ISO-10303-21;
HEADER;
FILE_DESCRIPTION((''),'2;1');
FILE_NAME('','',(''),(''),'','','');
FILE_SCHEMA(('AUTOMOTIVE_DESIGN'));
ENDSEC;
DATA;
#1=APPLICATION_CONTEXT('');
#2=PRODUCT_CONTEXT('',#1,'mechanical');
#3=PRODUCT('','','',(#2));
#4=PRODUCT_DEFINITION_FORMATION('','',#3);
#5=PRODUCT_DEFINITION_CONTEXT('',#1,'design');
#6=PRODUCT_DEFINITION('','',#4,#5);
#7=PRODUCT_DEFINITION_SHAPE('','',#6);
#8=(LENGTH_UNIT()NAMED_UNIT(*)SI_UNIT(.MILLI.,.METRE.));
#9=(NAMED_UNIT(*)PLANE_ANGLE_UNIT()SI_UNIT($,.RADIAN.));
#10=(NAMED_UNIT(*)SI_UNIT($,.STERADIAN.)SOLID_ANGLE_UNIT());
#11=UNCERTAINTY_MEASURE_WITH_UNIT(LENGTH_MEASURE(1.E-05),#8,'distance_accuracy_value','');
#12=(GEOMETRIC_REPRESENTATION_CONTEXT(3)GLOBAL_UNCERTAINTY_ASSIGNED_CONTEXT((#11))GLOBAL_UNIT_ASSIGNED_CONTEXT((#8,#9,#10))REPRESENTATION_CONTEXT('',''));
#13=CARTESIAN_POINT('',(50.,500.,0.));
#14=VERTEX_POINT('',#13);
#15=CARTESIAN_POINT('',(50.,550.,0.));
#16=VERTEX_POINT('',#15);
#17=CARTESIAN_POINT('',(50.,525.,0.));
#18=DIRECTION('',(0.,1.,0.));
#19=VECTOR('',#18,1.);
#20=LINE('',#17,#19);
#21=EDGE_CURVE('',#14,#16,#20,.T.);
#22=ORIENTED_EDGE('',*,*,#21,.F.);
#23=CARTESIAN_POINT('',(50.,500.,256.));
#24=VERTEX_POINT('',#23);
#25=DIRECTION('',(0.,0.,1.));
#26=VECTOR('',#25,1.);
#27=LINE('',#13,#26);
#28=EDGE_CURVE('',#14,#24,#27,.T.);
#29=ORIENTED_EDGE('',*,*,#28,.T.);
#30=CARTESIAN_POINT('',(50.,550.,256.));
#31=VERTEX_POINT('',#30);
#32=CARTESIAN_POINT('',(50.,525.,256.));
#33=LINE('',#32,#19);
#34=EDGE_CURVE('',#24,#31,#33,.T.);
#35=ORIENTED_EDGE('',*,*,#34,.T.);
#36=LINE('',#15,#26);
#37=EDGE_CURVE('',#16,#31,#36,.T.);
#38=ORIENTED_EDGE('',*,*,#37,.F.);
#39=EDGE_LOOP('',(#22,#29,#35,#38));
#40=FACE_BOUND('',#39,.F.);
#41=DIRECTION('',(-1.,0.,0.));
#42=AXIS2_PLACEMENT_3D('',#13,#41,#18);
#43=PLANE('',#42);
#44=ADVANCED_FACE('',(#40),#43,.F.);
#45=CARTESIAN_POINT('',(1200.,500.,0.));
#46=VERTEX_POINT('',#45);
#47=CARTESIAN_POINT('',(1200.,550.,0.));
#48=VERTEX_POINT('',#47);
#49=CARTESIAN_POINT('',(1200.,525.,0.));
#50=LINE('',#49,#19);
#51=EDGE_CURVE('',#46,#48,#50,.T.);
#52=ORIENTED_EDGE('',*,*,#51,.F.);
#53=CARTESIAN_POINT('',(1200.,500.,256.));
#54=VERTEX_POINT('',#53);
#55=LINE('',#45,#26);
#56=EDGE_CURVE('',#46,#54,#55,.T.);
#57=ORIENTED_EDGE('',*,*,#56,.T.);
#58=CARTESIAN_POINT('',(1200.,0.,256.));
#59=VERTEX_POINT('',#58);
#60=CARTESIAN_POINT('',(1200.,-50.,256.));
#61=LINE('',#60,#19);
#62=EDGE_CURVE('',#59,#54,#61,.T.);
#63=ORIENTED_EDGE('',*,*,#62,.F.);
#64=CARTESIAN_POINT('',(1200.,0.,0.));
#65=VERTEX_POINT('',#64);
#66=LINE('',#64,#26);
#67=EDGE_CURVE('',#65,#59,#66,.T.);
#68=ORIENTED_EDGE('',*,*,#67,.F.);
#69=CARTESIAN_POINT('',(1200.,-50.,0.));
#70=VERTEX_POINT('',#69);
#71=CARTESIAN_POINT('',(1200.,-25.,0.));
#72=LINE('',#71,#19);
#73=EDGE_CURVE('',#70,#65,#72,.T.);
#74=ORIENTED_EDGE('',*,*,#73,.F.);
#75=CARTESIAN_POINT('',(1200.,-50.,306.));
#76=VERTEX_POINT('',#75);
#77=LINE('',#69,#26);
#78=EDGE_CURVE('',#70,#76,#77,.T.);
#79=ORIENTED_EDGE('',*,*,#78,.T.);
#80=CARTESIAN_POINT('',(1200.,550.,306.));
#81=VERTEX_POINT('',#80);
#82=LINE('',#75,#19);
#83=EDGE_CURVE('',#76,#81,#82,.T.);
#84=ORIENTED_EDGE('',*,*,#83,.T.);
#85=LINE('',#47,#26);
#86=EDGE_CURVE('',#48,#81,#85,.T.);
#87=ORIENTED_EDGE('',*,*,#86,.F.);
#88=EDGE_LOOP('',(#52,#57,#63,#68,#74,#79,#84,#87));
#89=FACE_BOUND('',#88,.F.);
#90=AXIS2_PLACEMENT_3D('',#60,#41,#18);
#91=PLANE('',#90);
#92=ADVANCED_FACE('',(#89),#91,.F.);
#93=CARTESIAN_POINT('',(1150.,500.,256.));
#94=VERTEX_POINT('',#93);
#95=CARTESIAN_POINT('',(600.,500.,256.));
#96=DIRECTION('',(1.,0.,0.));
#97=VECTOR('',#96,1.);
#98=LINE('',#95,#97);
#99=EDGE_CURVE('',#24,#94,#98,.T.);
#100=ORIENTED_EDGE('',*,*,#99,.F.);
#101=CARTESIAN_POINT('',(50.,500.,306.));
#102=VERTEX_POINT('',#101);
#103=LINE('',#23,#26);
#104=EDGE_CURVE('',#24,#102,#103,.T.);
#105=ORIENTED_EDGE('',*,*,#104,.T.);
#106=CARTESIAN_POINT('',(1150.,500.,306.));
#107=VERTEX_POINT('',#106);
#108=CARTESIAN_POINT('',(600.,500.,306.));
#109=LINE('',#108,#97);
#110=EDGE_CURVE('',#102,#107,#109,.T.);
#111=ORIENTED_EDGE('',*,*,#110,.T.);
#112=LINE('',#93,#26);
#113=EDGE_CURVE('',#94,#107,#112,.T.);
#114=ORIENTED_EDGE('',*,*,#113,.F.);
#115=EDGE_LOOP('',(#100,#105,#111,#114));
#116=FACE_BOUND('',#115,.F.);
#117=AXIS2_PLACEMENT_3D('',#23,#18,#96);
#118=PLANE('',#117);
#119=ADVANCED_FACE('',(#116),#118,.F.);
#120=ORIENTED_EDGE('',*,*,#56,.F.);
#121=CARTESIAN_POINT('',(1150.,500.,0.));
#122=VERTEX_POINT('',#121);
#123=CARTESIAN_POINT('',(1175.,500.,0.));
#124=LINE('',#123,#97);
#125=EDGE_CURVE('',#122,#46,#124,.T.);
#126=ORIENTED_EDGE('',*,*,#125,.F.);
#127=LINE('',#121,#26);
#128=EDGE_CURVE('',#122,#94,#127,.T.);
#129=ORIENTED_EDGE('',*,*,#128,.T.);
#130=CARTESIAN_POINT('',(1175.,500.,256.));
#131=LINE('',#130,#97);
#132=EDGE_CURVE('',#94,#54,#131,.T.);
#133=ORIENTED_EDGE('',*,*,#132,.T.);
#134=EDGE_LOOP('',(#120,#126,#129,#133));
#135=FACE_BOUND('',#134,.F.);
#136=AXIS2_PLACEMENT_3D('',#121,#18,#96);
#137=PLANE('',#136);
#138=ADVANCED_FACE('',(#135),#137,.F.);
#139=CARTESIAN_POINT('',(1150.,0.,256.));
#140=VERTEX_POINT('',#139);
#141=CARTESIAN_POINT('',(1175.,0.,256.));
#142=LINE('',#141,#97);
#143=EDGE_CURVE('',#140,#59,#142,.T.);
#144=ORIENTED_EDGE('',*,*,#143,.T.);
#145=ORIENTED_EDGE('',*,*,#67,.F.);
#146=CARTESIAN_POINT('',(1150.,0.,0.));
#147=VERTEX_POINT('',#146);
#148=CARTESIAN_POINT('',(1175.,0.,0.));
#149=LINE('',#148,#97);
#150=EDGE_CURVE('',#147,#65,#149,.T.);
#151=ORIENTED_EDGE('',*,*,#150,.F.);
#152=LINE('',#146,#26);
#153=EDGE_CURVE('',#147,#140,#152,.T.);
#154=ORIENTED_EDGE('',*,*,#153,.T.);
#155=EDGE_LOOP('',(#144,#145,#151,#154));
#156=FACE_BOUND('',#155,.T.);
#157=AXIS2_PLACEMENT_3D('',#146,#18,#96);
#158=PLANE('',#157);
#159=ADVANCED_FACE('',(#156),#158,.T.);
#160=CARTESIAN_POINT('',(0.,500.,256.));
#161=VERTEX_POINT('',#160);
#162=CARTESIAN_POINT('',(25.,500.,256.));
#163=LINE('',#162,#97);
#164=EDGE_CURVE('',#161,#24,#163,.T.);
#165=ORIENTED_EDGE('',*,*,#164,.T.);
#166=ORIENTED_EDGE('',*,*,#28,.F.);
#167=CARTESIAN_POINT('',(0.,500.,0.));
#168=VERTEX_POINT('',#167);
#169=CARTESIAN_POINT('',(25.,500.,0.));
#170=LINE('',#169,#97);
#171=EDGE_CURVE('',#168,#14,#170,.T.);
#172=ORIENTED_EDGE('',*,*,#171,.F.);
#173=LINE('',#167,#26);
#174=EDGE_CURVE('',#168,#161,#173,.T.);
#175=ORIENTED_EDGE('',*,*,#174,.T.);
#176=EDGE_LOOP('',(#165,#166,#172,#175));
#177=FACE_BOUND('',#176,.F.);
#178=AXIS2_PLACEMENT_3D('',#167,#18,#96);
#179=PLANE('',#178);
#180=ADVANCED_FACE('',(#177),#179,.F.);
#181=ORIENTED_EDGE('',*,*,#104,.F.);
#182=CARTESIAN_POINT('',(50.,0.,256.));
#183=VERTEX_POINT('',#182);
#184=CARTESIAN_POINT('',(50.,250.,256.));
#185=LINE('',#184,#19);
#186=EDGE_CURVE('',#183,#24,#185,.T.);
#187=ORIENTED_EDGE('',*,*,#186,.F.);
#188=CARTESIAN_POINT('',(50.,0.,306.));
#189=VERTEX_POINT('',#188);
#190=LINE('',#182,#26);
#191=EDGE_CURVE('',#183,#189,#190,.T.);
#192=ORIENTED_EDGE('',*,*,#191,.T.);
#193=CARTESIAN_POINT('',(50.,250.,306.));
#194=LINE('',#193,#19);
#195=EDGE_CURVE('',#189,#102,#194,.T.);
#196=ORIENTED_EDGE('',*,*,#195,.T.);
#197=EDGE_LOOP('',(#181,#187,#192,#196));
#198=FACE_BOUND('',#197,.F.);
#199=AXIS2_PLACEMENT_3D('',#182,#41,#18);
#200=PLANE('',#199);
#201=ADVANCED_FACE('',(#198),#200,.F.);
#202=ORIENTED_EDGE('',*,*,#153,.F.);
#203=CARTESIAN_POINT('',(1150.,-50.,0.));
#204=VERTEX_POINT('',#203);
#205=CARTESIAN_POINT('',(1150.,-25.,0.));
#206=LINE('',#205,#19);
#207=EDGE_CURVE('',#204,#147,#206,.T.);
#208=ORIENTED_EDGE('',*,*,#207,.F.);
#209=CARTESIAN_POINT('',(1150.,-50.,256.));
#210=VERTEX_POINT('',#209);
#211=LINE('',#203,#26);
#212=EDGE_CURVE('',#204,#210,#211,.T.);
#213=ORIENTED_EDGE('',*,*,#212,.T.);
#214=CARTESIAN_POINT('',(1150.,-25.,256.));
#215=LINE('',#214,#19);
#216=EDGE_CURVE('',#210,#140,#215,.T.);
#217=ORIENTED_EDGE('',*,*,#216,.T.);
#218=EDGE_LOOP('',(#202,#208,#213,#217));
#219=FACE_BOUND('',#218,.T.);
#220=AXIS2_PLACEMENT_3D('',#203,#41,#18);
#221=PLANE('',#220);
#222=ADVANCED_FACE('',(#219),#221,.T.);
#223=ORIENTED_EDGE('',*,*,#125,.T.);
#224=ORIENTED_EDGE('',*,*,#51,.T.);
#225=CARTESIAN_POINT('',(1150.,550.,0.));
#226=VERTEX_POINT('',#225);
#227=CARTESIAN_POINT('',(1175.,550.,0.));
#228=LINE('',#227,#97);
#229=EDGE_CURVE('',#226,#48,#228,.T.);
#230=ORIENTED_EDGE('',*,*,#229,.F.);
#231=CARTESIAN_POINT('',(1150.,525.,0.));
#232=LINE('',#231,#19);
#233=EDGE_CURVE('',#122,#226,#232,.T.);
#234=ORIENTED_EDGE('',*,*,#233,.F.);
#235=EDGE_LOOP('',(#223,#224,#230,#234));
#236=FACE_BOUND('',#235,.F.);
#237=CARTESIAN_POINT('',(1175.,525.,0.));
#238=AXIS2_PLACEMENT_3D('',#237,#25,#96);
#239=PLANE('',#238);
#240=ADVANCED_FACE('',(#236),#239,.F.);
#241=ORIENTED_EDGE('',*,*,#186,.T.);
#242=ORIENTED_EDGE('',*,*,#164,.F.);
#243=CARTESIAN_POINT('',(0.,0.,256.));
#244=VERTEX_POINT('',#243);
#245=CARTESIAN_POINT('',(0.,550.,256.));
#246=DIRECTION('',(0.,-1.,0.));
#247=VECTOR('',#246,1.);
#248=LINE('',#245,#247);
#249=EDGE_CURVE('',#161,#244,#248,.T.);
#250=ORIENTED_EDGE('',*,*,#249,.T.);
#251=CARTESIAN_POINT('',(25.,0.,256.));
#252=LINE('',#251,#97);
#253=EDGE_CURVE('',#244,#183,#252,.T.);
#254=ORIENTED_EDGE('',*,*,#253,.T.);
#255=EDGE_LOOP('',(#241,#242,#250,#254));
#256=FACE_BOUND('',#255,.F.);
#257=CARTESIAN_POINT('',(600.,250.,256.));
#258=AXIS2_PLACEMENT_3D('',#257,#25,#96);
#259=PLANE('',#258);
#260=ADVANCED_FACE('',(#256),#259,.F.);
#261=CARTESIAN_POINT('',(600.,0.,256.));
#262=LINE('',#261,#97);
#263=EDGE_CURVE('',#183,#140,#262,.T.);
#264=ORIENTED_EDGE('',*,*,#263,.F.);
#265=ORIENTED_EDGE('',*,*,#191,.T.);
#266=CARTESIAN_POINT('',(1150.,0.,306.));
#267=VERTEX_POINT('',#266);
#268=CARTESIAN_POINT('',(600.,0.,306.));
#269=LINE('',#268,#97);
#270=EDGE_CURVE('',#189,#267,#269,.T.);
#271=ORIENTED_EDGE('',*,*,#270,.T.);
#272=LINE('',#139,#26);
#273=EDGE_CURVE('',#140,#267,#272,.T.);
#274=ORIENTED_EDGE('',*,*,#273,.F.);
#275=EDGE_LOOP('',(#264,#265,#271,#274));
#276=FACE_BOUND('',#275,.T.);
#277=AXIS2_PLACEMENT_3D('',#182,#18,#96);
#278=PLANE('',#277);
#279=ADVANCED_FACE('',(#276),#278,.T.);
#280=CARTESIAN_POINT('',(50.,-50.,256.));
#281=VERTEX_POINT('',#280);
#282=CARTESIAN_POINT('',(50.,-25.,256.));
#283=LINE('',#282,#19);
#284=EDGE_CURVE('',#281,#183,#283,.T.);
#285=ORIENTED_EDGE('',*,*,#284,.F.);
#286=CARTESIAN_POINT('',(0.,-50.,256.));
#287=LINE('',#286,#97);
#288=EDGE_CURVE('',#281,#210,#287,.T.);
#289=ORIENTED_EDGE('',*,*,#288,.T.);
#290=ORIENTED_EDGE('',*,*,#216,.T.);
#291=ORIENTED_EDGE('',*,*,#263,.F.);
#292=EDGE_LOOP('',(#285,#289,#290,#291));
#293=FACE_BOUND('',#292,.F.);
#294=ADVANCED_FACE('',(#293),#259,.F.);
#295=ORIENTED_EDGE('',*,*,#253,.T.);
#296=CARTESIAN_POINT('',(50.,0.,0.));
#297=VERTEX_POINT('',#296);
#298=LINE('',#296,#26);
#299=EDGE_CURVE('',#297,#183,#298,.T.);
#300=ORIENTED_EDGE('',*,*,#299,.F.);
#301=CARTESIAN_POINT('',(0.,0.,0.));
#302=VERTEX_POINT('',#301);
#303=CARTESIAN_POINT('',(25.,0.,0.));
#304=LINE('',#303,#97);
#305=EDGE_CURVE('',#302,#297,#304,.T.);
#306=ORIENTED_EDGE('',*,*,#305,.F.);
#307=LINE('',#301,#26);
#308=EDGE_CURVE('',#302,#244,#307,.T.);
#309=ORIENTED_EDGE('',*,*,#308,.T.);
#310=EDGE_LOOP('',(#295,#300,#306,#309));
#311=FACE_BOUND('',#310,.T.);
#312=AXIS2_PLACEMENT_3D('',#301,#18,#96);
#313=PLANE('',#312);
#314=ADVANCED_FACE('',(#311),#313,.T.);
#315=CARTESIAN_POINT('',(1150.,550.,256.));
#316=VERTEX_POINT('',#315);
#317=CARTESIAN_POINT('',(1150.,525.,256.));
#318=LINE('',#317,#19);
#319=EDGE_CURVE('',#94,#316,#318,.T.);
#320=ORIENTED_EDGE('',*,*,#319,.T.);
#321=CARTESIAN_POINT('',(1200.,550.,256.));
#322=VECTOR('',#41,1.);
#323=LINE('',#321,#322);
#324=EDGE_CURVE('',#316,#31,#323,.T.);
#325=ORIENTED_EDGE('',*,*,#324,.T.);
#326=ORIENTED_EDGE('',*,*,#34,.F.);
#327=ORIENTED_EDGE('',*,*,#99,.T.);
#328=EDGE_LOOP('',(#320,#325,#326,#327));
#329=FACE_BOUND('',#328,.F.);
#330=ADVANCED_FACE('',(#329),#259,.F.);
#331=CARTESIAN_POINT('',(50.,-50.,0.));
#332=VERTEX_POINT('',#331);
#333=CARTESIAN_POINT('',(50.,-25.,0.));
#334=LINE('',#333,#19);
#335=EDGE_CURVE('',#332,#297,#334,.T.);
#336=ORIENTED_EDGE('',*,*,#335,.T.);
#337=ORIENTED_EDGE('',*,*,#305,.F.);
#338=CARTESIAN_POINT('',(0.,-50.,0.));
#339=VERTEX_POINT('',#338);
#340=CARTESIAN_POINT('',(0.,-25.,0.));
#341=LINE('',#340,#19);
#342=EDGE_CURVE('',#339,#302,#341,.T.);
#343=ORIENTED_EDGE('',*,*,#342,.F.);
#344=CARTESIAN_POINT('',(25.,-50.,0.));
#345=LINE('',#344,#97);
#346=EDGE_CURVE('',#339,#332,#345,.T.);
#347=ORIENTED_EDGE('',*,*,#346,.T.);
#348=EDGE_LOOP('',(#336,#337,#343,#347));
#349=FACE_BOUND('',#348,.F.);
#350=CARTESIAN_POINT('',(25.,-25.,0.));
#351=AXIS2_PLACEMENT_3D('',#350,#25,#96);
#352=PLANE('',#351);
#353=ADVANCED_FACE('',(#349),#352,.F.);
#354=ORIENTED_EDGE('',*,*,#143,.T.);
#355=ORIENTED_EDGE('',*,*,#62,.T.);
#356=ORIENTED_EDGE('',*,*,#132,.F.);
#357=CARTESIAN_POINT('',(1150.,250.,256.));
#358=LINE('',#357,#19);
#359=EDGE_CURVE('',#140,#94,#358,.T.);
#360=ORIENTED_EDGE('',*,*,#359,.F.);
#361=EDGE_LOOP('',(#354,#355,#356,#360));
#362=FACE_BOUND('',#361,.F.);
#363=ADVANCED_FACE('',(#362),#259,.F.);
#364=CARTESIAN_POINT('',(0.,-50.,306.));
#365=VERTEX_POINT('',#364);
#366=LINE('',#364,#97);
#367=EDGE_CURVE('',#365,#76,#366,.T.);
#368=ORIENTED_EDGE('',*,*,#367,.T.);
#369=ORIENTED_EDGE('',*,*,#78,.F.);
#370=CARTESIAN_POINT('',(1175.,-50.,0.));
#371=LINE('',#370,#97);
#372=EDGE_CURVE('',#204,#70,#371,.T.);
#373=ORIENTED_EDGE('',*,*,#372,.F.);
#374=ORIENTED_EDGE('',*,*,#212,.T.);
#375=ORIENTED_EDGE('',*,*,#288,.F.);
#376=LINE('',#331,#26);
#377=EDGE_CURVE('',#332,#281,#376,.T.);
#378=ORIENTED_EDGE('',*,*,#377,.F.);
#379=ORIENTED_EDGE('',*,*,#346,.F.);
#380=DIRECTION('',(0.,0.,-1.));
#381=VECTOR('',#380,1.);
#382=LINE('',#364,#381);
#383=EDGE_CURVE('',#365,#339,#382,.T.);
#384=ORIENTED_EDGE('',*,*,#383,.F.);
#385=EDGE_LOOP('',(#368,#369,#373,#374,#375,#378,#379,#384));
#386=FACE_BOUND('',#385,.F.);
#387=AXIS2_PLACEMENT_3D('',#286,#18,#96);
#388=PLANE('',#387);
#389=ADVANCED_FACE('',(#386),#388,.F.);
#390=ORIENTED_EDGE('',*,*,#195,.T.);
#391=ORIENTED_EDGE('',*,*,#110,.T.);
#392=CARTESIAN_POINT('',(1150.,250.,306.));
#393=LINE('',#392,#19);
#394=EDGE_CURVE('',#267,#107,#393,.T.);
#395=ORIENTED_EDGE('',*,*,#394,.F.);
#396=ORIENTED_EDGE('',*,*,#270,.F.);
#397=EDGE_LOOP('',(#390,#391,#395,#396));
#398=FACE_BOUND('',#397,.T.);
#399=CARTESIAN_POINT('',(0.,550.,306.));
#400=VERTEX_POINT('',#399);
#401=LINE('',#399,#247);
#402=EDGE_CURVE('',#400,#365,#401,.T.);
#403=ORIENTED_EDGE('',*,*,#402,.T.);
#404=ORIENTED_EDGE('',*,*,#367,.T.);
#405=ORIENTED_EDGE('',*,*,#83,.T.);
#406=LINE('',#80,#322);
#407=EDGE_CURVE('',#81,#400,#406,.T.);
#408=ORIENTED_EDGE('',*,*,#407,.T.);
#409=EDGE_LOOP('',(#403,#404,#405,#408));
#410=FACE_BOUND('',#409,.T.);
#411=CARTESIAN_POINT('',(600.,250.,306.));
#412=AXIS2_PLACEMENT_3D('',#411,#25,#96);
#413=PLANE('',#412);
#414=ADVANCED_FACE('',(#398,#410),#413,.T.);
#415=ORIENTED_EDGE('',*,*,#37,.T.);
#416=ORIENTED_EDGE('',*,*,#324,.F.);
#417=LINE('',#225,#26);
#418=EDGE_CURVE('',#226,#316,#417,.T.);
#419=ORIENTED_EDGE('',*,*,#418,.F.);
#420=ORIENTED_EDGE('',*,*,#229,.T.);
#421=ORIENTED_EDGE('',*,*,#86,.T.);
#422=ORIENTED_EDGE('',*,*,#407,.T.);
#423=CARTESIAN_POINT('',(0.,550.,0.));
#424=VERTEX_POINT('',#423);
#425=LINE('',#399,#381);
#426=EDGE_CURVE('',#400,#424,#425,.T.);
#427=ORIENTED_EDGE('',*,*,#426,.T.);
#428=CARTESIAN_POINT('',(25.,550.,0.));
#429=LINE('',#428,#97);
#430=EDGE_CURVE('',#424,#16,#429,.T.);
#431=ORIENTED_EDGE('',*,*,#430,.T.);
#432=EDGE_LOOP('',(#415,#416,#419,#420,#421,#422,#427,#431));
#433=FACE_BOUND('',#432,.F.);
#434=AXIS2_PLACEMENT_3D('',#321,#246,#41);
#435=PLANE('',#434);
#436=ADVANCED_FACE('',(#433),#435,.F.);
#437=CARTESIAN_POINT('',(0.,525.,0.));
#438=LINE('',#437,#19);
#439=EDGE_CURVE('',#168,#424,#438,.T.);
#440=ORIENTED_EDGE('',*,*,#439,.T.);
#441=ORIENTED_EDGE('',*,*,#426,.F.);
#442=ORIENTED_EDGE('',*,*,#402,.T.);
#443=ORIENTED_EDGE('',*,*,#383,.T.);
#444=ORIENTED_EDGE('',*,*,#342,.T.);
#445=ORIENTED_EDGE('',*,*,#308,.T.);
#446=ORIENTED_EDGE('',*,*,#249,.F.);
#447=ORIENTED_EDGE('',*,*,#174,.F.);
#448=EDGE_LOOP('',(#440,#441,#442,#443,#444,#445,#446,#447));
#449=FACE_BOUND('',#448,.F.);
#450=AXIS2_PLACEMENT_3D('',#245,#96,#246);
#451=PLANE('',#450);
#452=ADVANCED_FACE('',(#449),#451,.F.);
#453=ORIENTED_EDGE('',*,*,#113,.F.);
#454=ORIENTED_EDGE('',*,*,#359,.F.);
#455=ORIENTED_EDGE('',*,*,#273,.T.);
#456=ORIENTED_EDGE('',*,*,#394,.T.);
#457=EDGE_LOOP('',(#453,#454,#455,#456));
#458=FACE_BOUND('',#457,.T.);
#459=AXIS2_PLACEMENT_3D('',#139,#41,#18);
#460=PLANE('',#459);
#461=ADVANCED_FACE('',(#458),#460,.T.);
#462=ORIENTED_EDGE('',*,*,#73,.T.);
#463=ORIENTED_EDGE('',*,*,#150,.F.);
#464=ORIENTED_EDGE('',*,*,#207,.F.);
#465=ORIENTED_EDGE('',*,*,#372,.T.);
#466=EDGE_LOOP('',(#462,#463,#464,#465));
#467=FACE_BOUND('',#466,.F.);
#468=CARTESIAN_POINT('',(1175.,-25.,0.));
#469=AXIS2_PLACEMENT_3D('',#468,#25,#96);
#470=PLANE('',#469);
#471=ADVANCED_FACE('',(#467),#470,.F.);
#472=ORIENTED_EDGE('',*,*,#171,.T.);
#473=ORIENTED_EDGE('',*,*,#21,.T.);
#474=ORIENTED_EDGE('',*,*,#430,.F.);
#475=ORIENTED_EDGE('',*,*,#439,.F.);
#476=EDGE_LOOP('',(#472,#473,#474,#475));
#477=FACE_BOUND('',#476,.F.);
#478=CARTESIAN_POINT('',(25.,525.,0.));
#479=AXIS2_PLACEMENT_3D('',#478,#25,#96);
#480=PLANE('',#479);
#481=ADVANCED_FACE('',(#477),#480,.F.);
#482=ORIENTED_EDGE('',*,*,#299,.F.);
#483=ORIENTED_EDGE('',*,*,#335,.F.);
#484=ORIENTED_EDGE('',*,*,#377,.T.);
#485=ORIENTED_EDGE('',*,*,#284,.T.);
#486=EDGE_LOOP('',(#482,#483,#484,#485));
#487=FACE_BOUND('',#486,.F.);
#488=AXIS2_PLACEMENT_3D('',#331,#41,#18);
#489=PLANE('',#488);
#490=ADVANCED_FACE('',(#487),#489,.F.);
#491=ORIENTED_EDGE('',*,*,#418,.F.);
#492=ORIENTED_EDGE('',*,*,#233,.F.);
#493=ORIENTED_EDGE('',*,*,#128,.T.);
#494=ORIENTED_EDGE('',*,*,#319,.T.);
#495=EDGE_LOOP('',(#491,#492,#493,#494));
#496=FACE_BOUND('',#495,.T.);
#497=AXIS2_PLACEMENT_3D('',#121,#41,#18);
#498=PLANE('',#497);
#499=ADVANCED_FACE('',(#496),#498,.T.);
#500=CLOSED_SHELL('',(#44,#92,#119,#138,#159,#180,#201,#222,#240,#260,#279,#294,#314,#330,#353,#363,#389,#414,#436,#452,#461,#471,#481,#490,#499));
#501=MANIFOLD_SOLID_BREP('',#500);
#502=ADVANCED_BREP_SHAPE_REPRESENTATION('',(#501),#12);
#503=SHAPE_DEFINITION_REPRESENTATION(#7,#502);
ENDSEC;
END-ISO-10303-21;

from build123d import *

# Parameters (mm, degrees)
F0_W     = 50
F0_H     = 50
F1_DEPTH = 256
F2_W     = 1100
F2_H     = 500
F3_DEPTH = 50


with BuildPart() as f1:
    # F0 (on Top) → F1 (new body)
    with BuildSketch(Plane.XY):
        with Locations((25, -25)):
            Rectangle(F0_W, F0_H)
    extrude(amount=F1_DEPTH)



with BuildPart() as f1b:
    # F0 (on Top) → F1, piece 2 (new body)
    with BuildSketch(Plane.XY):
        with Locations((25, 525)):
            Rectangle(F0_W, F0_H)
    extrude(amount=F1_DEPTH)


with BuildPart() as f1c:
    # F0 (on Top) → F1, piece 3 (new body)
    with BuildSketch(Plane.XY):
        with Locations((1175, -25)):
            Rectangle(F0_W, F0_H)
    extrude(amount=F1_DEPTH)


with BuildPart() as f1d:
    # F0 (on Top) → F1, piece 4 (new body)
    with BuildSketch(Plane.XY):
        with Locations((1175, 525)):
            Rectangle(F0_W, F0_H)
    extrude(amount=F1_DEPTH)


with BuildPart() as f1_1:
    add(f1.part)

    add(f1b.part)  # F3 merges F1b

    add(f1c.part)  # F3 merges F1c

    add(f1d.part)  # F3 merges F1d
    # F2 (on face) → F3 (join)
    with BuildSketch(Plane.XY.offset(256)):
        Polygon((0, 0), (0, -50), (50, -50), (1150, -50), (1200, -50), (1200, 0), (1200, 500), (1200, 550), (1150, 550), (50, 550), (0, 550), (0, 500), align=None)
        with Locations((600, 250)):
            Rectangle(F2_W, F2_H, mode=Mode.SUBTRACT)
    extrude(amount=F3_DEPTH)


solid = f1_1.part
